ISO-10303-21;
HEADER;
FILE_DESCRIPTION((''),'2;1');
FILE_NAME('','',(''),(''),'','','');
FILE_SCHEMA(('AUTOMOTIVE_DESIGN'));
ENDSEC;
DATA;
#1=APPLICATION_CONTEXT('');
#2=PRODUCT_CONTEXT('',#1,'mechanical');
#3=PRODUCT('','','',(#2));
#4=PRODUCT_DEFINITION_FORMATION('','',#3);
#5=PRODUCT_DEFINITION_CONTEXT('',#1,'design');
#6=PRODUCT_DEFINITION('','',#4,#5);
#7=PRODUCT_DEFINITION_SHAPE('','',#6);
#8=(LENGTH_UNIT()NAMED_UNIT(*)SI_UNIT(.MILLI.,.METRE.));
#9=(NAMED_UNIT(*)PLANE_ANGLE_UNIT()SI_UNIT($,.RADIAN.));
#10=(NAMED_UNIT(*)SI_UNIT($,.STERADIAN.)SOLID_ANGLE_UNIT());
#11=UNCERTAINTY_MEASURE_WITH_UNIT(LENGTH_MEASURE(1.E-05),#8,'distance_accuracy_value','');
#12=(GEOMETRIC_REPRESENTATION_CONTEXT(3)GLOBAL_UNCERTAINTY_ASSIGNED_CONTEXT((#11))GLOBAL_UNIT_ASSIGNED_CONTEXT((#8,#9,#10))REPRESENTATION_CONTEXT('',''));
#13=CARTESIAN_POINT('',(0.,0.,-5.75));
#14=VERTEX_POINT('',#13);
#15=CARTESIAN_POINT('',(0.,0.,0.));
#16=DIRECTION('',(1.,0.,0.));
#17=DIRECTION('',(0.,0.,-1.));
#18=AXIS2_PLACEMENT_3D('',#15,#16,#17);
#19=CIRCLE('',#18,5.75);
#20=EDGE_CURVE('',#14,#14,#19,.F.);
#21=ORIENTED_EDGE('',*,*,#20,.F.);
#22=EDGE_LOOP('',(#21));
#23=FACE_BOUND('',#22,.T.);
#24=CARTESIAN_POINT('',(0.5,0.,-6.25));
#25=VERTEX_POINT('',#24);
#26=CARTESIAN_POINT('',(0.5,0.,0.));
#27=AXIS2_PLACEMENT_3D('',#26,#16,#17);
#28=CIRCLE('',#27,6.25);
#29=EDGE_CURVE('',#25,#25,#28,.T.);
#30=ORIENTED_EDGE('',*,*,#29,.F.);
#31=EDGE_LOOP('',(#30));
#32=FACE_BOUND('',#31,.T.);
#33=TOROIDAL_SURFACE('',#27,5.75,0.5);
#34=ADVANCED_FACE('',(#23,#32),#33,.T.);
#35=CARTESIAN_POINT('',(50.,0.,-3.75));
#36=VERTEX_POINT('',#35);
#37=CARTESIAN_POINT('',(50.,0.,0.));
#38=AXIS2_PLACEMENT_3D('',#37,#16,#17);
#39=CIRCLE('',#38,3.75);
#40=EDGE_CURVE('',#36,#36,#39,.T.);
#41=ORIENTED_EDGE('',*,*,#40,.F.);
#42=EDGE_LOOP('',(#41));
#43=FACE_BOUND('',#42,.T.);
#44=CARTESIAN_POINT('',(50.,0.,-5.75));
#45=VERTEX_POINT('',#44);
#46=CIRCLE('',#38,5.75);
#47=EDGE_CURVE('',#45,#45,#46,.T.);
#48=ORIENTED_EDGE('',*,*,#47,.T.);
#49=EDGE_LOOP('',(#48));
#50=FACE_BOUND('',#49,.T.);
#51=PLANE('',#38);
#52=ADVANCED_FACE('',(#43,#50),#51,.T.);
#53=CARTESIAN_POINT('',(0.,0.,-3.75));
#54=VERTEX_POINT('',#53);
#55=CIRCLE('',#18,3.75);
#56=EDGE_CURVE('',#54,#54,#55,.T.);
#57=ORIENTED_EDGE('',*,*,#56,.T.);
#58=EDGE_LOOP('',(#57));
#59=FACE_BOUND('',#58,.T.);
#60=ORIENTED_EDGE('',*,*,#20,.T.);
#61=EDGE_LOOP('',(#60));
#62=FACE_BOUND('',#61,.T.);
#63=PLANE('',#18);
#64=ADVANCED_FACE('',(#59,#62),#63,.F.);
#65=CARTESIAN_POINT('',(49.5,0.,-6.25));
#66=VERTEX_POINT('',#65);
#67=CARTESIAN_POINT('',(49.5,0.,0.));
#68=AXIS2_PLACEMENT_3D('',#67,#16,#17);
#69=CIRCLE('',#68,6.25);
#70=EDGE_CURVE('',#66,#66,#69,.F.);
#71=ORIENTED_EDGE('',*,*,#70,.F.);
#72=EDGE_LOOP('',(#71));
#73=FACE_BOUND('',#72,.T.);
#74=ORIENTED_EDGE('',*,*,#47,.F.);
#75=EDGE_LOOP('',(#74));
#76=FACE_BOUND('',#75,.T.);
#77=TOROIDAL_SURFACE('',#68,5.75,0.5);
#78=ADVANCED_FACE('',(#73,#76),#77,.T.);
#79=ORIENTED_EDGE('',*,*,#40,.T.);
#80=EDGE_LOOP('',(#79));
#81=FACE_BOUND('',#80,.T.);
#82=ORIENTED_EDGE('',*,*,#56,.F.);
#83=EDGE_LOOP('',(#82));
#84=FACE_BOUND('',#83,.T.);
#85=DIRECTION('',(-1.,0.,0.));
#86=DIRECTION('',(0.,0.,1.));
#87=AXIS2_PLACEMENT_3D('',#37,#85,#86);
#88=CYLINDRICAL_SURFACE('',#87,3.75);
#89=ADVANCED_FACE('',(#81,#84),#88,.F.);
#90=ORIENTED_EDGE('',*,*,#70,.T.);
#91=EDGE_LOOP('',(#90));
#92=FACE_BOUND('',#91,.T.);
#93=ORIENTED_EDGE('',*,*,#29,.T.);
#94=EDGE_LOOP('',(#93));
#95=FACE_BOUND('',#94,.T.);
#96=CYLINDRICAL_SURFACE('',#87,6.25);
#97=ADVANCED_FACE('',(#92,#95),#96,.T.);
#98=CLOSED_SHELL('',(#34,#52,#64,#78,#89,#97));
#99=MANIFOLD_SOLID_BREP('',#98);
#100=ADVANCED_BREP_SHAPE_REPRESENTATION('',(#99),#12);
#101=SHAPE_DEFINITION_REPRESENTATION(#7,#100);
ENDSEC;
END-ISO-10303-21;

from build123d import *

# Parameters (mm, degrees)
SKETCH1_R           = 6.25
SKETCH1_R_2         = 3.75
BOSS_EXTRUDE2_DEPTH = 50
FILLET1_R           = 0.5
FILLET2_R           = 0.5


with BuildPart() as part:
    # Sketch1 → Boss-Extrude2 (new body)
    with BuildSketch(Plane(origin=(0, 0, 0), x_dir=(0, 0, -1), z_dir=(1, 0, 0))):
        Circle(SKETCH1_R)
        Circle(SKETCH1_R_2, mode=Mode.SUBTRACT)
    extrude(amount=BOSS_EXTRUDE2_DEPTH)

    # Fillet1
    fillet1_edges = [part.edges().sort_by_distance(p)[0] for p in [
        (0, 0, 6.25),
    ]]
    fillet(fillet1_edges, radius=FILLET1_R)

    # Fillet2
    fillet2_edges = [part.edges().sort_by_distance(p)[0] for p in [
        (50, 0, 6.25),
    ]]
    fillet(fillet2_edges, radius=FILLET2_R)


solid = part.part
